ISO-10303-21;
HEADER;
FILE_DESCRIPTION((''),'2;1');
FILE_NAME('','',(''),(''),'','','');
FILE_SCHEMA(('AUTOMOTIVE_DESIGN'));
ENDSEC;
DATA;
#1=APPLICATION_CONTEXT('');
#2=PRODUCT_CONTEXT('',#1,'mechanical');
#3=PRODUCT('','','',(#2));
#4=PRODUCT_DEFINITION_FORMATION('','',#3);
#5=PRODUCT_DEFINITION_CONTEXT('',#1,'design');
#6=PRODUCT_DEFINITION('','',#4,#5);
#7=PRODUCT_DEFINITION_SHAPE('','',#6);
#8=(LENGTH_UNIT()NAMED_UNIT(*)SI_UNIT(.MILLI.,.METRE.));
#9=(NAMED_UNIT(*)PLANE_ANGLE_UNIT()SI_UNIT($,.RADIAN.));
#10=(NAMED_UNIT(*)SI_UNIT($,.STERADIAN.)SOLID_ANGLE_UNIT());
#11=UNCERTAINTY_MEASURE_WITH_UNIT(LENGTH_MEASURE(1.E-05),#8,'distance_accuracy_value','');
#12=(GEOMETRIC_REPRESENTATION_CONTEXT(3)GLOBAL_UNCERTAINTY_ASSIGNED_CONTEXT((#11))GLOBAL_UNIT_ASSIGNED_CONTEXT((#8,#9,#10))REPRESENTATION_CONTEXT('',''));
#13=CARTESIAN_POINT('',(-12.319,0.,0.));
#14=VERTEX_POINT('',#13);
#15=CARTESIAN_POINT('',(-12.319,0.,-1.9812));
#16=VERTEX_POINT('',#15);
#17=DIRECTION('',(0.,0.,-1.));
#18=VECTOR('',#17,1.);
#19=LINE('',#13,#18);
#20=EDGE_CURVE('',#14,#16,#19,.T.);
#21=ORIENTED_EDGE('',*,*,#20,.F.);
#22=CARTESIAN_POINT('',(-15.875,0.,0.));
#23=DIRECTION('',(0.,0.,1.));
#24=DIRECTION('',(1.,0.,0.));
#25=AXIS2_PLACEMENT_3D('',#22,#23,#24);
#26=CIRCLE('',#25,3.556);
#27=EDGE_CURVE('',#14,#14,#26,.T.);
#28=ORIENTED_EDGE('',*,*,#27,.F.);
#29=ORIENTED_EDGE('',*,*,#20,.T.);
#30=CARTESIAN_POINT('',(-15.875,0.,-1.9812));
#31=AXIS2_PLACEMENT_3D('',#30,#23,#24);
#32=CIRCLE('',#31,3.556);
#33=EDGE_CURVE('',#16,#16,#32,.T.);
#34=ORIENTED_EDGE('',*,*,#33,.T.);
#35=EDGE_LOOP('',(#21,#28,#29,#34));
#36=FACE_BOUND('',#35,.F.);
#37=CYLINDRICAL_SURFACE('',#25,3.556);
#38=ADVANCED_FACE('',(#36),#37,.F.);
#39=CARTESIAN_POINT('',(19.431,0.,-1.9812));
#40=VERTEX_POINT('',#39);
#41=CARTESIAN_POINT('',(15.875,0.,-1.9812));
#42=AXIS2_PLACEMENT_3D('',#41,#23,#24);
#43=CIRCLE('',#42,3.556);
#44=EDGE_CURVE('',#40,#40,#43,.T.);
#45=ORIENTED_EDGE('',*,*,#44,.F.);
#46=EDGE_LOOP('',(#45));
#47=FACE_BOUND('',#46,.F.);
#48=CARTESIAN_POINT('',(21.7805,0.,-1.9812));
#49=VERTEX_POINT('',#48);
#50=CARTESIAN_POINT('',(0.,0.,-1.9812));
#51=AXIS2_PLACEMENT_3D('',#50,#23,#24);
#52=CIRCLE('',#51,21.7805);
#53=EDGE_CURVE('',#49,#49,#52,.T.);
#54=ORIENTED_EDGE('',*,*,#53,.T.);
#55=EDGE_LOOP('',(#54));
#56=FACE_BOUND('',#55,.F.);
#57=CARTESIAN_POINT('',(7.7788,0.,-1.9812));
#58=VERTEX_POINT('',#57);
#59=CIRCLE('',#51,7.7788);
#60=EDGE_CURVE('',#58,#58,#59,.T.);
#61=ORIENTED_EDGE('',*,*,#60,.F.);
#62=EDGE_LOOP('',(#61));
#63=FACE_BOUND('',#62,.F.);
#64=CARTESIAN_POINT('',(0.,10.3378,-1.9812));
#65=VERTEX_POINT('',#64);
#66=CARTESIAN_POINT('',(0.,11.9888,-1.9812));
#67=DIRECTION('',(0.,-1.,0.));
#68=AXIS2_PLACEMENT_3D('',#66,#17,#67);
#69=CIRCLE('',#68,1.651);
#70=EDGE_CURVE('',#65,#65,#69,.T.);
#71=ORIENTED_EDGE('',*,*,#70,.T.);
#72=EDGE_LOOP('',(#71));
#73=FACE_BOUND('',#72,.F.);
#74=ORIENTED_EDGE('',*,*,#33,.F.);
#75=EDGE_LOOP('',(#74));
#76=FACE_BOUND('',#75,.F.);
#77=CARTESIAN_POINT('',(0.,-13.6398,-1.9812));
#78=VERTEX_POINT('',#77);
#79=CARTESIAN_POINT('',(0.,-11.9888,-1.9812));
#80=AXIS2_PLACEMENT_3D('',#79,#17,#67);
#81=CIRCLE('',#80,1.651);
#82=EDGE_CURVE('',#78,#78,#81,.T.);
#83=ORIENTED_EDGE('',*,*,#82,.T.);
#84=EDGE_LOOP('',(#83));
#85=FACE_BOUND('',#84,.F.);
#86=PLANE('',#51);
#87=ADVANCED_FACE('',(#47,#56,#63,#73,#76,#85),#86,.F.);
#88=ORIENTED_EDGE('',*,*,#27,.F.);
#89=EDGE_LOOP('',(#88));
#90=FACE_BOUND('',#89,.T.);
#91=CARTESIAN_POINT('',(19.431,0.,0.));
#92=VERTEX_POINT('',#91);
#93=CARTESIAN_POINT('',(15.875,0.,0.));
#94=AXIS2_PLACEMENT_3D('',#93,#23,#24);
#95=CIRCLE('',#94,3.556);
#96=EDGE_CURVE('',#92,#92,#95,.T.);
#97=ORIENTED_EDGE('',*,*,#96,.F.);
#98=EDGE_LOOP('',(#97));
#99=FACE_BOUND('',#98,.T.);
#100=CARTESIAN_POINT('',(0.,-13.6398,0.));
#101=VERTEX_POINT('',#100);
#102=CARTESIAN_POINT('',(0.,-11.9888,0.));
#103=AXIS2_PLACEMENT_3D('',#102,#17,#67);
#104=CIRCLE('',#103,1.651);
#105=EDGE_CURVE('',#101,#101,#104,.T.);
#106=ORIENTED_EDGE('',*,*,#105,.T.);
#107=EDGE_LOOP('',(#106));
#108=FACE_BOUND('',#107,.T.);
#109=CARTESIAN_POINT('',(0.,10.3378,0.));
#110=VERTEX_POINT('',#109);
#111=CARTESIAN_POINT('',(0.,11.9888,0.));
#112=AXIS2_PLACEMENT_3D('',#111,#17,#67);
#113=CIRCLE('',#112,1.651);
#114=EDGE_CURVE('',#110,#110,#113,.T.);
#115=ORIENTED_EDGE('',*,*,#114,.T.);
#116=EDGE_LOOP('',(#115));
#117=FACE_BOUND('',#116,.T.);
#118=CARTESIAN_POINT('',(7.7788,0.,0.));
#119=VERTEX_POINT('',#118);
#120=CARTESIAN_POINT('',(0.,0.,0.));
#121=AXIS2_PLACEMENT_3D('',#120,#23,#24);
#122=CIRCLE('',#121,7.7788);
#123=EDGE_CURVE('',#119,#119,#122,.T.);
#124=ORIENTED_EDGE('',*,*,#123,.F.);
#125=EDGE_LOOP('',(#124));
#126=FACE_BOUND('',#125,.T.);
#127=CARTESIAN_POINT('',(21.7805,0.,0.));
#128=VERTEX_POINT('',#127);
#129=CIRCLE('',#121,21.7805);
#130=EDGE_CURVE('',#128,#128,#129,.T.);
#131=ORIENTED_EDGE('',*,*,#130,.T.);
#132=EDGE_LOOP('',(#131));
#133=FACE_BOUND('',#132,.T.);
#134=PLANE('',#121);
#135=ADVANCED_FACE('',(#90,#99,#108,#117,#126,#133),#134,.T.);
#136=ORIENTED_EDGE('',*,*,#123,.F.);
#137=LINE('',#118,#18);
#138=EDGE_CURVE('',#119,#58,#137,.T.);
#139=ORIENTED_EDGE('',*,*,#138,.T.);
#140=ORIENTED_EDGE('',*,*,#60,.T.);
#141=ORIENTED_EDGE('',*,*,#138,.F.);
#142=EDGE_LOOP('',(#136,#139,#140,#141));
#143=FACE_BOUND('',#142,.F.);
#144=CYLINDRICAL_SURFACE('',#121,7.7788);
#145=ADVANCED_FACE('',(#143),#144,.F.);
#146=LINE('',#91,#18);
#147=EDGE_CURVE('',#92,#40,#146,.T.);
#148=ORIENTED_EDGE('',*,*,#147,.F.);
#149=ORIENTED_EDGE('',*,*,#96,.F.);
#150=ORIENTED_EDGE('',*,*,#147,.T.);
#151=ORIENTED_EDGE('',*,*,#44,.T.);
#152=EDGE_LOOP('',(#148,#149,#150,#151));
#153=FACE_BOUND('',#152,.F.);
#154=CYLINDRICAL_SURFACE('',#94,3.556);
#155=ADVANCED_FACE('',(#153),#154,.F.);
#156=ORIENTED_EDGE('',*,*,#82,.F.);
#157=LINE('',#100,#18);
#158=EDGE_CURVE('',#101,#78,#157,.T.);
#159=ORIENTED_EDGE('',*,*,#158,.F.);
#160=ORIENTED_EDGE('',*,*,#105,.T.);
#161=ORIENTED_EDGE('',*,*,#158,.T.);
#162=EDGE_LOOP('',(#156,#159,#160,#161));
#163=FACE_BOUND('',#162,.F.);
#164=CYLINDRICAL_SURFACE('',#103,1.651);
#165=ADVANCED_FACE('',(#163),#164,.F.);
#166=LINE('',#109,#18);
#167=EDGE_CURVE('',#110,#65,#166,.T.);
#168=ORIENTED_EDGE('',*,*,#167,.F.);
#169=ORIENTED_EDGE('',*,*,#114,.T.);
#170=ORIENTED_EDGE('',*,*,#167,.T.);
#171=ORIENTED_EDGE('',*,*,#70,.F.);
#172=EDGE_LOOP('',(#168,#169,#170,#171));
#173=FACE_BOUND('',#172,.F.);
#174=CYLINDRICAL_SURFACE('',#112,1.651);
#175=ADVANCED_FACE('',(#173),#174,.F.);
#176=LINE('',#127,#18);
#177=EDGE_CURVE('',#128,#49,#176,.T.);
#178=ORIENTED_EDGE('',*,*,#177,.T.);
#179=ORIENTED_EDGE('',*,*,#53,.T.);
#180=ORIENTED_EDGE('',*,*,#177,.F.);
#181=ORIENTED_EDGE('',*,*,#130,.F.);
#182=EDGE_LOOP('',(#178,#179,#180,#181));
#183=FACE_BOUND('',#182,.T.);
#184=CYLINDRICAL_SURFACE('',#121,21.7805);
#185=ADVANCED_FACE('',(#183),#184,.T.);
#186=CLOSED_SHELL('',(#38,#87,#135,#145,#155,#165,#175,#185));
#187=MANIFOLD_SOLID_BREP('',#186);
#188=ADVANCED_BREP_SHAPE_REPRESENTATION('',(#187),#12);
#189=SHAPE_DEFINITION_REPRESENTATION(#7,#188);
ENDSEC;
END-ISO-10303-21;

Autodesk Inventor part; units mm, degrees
ref_plane "YZ Plane" through (0, 0, 0) normal (1, 0, 0) x (0, 1, 0)
ref_plane "XZ Plane" through (0, 0, 0) normal (0, 1, 0) x (-1, 0, 0)
ref_plane "XY Plane" through (0, 0, 0) normal (0, 0, 1) x (1, 0, 0)
sketch "Sketch1" plane through (0, 0, 0) normal (0, 0, 1) x (1, 0, 0)
  circle A0 centre (0, 0) radius 21.7805
  circle A1 centre (0, 0) radius 7.7788
  circle A2 centre (0, 0) radius 11.9888 construction
  circle A3 centre (-15.875, 0) radius 3.556
  circle A4 centre (15.875, 0) radius 3.556
  point P0 (0, 11.9888)
  point P1 (0, -11.9888)
  point P2 (0, 11.9888)
  point P3 (0, -11.9888)
  dimension "d0" = 43.561
  dimension "d1" = 15.5575
  dimension "d2" = 23.9776
  dimension "d3" = 7.112
  dimension "d4" = 7.112
  dimension "d5" = 31.75
  dimension "d6" = 15.875
extrude "Extrusion1" add sketch "Sketch1" against normal blind 1.9812
hole "Hole1" at (0, 11.9888, 0) at (0, -11.9888, 0) direction (0, 0, -1) diameter 3.302 end through all
equation "\"d4\" = d3"
equation "\"d6\" = 0.5 * d5"
properties part number "Spring Ring BD drill motor mount"
